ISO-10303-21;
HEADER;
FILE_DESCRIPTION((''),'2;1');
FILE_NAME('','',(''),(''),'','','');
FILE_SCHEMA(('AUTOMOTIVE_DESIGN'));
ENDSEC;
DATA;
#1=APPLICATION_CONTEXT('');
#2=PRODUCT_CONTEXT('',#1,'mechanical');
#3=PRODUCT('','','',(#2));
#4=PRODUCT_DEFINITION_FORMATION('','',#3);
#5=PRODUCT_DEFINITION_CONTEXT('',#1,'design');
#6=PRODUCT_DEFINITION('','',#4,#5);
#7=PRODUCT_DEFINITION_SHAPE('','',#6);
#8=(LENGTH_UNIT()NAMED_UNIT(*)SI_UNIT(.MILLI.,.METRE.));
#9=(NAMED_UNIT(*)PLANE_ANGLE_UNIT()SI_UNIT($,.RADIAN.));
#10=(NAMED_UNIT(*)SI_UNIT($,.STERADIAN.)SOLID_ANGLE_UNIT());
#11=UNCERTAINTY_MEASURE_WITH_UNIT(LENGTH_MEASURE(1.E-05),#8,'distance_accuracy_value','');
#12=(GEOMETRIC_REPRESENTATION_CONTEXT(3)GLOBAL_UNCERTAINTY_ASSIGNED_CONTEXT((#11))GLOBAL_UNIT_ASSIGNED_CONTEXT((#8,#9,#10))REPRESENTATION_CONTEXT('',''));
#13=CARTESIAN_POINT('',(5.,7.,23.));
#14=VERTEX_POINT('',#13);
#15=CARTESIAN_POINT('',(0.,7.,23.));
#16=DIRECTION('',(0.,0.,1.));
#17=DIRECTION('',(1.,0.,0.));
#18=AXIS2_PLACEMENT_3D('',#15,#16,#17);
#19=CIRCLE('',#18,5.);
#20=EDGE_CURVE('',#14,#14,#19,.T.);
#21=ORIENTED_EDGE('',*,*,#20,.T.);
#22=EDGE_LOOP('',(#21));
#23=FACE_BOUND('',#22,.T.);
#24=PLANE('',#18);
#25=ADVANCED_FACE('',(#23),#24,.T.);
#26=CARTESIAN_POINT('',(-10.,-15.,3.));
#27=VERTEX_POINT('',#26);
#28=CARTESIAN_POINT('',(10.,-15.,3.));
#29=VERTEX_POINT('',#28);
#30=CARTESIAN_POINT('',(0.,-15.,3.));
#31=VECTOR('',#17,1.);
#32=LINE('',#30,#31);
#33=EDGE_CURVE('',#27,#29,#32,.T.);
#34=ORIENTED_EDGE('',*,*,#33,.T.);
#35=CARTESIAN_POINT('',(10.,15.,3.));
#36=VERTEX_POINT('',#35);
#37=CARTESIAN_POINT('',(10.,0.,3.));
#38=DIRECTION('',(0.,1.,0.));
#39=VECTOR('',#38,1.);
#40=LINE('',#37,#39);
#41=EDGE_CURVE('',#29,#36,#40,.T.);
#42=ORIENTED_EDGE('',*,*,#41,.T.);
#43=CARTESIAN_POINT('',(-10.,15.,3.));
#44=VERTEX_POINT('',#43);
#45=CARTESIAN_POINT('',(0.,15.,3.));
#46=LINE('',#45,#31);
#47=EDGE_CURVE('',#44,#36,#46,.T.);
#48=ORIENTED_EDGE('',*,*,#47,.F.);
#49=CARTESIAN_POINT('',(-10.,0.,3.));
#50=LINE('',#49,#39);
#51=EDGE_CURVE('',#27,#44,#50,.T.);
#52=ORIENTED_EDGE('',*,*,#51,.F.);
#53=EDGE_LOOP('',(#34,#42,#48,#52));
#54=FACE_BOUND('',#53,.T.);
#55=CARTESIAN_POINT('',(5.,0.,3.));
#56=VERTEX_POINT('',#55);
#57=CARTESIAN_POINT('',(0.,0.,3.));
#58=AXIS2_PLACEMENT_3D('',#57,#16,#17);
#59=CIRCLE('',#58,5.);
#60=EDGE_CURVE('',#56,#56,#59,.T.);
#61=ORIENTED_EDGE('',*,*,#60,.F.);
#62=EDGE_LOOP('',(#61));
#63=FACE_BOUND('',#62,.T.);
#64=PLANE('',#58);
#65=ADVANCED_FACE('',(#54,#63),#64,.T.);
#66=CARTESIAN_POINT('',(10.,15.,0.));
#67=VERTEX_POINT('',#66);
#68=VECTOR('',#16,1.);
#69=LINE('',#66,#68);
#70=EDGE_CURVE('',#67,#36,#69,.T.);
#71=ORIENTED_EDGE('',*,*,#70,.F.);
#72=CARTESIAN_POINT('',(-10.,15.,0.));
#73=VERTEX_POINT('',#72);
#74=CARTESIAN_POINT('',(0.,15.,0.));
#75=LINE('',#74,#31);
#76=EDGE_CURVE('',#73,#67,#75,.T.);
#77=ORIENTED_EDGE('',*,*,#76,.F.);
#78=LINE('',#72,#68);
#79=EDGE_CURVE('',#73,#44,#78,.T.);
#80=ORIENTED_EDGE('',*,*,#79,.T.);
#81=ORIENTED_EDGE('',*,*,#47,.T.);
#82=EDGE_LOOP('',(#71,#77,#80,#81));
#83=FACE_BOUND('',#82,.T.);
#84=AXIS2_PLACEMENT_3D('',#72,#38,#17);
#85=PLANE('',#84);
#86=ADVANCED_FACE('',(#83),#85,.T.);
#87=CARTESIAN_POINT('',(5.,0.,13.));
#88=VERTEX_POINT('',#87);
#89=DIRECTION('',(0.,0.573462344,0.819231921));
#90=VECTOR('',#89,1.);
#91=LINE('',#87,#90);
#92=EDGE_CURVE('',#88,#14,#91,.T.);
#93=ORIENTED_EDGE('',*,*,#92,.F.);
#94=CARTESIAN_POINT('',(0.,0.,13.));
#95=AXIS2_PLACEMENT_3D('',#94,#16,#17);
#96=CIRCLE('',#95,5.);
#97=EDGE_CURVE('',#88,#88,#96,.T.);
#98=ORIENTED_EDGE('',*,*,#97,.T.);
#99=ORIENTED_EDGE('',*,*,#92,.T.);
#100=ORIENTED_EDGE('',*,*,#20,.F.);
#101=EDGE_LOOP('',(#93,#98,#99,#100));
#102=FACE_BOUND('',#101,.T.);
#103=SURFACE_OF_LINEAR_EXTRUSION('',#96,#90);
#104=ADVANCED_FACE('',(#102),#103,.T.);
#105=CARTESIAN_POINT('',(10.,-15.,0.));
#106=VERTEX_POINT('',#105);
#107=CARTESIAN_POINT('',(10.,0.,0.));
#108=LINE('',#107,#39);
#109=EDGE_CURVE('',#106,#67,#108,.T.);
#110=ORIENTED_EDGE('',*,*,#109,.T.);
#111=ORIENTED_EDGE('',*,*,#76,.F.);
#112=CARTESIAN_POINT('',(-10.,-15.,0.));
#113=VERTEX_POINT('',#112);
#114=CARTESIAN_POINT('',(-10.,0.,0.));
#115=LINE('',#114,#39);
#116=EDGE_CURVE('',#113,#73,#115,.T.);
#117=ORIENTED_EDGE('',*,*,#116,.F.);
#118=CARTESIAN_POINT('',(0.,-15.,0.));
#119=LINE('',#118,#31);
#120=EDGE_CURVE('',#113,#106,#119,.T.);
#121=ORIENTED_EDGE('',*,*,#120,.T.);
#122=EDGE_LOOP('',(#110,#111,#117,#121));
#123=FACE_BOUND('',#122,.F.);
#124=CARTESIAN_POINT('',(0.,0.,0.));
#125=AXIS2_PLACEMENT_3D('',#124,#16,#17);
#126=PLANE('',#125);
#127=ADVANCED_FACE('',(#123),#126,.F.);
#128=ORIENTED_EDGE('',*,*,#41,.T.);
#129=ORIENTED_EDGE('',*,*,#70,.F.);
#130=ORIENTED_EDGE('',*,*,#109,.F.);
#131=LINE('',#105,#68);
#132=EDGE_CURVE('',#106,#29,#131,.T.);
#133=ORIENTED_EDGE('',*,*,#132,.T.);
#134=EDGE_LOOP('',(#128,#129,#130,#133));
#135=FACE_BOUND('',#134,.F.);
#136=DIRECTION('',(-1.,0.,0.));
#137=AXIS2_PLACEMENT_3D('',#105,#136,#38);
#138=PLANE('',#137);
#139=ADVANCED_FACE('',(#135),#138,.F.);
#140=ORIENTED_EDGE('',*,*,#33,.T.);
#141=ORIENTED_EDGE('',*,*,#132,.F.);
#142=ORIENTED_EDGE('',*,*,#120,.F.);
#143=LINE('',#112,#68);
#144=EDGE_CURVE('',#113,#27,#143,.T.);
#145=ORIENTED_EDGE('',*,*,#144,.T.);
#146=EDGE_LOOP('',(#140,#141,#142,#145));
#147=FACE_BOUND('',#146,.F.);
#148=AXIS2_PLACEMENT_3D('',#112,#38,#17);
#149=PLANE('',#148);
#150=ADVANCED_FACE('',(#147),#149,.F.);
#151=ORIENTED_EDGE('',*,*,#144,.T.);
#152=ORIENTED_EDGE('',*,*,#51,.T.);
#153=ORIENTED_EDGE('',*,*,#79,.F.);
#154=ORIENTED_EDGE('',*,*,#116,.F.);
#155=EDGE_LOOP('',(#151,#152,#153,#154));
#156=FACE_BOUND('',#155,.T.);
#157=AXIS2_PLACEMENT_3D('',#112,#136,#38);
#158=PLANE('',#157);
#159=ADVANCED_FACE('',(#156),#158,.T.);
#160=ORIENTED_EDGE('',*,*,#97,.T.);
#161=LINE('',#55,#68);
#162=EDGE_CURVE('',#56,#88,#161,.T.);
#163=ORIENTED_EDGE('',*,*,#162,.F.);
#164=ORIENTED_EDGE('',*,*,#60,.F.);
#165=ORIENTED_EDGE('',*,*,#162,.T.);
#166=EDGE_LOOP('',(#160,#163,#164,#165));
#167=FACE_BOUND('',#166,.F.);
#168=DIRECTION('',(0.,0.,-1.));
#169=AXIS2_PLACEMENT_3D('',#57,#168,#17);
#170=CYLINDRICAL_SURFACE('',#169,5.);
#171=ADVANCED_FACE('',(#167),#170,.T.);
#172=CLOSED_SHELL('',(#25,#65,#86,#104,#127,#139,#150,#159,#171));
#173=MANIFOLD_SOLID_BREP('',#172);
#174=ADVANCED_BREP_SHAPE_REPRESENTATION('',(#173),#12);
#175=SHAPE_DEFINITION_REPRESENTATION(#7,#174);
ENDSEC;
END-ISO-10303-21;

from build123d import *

# Parameters (mm, degrees)
F0_W     = 20
F0_H     = 30
F1_DEPTH = 3
F2_R     = 5
F3_DEPTH = 10
F6_R     = 5


with BuildPart() as f1:
    # F0 (on Top) → F1 (new body)
    with BuildSketch(Plane.XY):
        Rectangle(F0_W, F0_H)
    extrude(amount=F1_DEPTH)

    # F2 (on face) → F3 (join)
    with BuildSketch(Plane.XY.offset(3)):
        Circle(F2_R)
    extrude(amount=F3_DEPTH)

    # F9: sweep along a path in F8
    with BuildLine(Plane.YZ) as f9_path:
        Line((0, 13), (7, 23))
    # F6 (on face) → F9 (sweep)
    with BuildSketch(Plane.XY.offset(13)):
        Circle(F6_R)
    sweep(path=f9_path.line)


solid = f1.part
